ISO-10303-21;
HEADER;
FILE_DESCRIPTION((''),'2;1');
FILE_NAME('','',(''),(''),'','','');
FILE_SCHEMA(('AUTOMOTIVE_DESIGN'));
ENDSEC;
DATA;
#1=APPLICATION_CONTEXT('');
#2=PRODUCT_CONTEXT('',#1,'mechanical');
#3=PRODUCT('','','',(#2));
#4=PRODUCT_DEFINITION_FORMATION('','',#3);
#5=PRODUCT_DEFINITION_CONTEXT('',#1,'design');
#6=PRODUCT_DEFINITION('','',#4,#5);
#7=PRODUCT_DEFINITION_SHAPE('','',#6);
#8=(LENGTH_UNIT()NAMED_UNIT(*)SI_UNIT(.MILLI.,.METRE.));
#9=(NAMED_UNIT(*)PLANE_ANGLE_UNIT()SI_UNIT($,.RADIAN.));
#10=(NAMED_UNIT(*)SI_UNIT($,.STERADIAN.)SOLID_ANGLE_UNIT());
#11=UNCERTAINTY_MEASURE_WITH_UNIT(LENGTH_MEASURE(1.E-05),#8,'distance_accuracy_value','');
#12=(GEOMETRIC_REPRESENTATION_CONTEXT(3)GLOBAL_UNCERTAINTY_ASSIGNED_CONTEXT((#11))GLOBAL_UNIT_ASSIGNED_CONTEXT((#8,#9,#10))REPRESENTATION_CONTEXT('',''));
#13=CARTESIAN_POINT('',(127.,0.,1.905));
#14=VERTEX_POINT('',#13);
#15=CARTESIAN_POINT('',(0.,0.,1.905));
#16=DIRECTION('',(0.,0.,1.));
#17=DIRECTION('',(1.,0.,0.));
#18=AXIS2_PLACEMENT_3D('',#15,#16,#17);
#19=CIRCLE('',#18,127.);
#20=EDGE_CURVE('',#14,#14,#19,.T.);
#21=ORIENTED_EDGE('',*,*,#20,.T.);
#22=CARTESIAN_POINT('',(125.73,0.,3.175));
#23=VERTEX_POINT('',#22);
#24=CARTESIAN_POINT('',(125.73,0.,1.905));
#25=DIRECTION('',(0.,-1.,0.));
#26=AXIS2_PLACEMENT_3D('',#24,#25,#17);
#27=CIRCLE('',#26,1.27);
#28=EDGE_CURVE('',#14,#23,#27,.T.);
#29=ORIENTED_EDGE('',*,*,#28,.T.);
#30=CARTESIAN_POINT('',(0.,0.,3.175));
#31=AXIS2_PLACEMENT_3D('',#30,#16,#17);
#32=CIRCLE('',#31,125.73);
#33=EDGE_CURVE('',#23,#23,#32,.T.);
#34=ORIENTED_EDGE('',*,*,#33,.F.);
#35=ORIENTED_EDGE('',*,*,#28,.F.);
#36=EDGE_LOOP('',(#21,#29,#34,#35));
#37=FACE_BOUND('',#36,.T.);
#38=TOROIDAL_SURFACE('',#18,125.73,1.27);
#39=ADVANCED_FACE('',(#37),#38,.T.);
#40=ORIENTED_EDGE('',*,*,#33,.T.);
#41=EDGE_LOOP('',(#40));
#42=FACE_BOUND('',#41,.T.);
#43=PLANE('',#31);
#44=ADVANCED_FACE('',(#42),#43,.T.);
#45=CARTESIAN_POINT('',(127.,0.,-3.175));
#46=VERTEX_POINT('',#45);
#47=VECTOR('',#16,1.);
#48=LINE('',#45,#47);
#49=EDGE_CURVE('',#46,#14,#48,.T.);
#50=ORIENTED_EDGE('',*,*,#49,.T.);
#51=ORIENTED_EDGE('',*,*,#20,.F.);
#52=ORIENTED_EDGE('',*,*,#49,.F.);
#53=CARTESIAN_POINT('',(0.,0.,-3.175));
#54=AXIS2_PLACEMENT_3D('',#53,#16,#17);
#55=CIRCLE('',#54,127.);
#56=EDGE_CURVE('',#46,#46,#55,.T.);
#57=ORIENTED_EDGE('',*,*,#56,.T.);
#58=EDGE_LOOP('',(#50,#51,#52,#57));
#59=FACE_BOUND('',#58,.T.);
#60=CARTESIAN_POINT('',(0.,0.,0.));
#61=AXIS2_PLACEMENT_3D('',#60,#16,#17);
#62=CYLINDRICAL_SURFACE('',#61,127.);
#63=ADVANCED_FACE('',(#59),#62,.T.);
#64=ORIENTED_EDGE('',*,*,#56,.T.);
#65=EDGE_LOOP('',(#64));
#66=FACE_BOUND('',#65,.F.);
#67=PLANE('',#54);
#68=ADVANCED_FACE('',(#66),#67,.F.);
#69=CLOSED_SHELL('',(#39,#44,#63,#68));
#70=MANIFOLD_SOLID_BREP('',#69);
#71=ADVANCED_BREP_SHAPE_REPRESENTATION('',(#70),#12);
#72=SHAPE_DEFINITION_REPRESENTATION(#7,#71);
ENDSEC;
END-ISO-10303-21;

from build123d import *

# Parameters (mm, degrees)
F0_R     = 127
F1_DEPTH = 3.175
F2_R     = 1.27


with BuildPart() as f1:
    # F0 (on Top) → F1 (new body, symmetric)
    with BuildSketch(Plane.XY):
        Circle(F0_R)
    extrude(amount=F1_DEPTH, both=True)

    # F2
    f2_edges = [f1.edges().sort_by_distance(p)[0] for p in [
        (-127, 0, 3.175),
    ]]
    fillet(f2_edges, radius=F2_R)


solid = f1.part
